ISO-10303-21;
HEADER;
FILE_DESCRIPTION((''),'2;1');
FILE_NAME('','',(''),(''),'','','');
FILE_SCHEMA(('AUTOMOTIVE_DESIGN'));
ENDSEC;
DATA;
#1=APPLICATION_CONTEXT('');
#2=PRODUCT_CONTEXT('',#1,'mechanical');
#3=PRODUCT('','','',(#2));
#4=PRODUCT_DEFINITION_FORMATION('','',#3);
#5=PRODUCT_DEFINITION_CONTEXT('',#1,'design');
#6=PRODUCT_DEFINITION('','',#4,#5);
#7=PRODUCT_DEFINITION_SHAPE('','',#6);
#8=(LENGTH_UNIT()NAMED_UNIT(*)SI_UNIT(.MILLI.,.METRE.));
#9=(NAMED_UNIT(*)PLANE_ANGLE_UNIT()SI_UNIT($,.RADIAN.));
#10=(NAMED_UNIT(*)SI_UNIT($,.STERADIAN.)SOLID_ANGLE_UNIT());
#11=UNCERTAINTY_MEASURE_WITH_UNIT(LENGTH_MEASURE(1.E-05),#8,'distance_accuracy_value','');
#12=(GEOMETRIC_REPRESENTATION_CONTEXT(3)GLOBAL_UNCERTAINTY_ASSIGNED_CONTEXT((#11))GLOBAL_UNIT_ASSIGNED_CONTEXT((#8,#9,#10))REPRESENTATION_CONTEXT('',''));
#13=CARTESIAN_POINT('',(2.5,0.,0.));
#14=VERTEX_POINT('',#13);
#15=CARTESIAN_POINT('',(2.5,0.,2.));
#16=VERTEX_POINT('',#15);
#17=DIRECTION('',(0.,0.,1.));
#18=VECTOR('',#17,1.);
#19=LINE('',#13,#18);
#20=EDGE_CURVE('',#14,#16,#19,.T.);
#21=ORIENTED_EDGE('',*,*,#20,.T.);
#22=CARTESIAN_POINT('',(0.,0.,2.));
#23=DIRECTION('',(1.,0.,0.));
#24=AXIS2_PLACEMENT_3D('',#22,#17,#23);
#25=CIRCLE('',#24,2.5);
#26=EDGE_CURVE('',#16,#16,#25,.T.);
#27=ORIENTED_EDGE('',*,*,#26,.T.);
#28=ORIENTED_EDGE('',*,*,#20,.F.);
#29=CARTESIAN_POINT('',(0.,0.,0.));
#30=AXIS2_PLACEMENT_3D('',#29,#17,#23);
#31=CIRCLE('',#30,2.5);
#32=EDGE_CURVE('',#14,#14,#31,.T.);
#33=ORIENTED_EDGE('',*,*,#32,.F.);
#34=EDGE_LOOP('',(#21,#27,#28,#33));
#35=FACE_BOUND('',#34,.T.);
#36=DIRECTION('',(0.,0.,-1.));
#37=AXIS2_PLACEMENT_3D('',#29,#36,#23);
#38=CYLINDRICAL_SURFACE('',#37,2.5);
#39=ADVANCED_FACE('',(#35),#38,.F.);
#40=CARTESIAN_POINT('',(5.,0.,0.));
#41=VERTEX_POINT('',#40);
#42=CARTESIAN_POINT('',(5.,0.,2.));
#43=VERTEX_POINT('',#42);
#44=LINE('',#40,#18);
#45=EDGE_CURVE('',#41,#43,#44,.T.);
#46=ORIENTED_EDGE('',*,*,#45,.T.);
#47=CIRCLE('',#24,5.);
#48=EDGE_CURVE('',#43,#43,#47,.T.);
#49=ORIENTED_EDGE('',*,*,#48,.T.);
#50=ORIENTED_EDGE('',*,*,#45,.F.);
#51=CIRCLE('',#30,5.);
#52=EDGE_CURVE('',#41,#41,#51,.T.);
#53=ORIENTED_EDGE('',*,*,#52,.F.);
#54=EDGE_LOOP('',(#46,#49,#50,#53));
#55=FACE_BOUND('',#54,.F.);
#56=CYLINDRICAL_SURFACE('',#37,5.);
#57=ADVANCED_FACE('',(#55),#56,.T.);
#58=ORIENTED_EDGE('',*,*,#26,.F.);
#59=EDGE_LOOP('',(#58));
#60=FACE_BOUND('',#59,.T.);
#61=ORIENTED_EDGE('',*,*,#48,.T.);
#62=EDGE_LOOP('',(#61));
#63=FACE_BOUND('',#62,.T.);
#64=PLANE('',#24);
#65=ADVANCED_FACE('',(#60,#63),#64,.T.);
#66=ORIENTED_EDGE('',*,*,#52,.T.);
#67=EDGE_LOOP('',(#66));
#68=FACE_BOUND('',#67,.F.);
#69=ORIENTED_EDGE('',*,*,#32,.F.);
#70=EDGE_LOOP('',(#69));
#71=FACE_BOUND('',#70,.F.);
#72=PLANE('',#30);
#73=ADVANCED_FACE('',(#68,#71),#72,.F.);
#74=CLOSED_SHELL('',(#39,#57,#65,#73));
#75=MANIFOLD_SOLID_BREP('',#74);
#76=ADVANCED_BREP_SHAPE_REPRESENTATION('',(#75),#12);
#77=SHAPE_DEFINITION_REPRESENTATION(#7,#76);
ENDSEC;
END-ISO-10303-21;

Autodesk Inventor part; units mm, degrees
ref_plane "YZ Plane" through (0, 0, 0) normal (1, 0, 0) x (0, 1, 0)
ref_plane "XZ Plane" through (0, 0, 0) normal (0, 1, 0) x (-1, 0, 0)
ref_plane "XY Plane" through (0, 0, 0) normal (0, 0, 1) x (1, 0, 0)
sketch "Sketch1" plane through (0, 0, 0) normal (0, 0, 1) x (1, 0, 0)
  circle A0 centre (0, 0) radius 2.5
  circle A1 centre (0, 0) radius 5
  dimension "d0" = 5
  dimension "d1" = 10
extrude "Extrusion1" add sketch "Sketch1" along normal blind 2
properties part number "cooling_spacer" material "Aluminum 6061"
